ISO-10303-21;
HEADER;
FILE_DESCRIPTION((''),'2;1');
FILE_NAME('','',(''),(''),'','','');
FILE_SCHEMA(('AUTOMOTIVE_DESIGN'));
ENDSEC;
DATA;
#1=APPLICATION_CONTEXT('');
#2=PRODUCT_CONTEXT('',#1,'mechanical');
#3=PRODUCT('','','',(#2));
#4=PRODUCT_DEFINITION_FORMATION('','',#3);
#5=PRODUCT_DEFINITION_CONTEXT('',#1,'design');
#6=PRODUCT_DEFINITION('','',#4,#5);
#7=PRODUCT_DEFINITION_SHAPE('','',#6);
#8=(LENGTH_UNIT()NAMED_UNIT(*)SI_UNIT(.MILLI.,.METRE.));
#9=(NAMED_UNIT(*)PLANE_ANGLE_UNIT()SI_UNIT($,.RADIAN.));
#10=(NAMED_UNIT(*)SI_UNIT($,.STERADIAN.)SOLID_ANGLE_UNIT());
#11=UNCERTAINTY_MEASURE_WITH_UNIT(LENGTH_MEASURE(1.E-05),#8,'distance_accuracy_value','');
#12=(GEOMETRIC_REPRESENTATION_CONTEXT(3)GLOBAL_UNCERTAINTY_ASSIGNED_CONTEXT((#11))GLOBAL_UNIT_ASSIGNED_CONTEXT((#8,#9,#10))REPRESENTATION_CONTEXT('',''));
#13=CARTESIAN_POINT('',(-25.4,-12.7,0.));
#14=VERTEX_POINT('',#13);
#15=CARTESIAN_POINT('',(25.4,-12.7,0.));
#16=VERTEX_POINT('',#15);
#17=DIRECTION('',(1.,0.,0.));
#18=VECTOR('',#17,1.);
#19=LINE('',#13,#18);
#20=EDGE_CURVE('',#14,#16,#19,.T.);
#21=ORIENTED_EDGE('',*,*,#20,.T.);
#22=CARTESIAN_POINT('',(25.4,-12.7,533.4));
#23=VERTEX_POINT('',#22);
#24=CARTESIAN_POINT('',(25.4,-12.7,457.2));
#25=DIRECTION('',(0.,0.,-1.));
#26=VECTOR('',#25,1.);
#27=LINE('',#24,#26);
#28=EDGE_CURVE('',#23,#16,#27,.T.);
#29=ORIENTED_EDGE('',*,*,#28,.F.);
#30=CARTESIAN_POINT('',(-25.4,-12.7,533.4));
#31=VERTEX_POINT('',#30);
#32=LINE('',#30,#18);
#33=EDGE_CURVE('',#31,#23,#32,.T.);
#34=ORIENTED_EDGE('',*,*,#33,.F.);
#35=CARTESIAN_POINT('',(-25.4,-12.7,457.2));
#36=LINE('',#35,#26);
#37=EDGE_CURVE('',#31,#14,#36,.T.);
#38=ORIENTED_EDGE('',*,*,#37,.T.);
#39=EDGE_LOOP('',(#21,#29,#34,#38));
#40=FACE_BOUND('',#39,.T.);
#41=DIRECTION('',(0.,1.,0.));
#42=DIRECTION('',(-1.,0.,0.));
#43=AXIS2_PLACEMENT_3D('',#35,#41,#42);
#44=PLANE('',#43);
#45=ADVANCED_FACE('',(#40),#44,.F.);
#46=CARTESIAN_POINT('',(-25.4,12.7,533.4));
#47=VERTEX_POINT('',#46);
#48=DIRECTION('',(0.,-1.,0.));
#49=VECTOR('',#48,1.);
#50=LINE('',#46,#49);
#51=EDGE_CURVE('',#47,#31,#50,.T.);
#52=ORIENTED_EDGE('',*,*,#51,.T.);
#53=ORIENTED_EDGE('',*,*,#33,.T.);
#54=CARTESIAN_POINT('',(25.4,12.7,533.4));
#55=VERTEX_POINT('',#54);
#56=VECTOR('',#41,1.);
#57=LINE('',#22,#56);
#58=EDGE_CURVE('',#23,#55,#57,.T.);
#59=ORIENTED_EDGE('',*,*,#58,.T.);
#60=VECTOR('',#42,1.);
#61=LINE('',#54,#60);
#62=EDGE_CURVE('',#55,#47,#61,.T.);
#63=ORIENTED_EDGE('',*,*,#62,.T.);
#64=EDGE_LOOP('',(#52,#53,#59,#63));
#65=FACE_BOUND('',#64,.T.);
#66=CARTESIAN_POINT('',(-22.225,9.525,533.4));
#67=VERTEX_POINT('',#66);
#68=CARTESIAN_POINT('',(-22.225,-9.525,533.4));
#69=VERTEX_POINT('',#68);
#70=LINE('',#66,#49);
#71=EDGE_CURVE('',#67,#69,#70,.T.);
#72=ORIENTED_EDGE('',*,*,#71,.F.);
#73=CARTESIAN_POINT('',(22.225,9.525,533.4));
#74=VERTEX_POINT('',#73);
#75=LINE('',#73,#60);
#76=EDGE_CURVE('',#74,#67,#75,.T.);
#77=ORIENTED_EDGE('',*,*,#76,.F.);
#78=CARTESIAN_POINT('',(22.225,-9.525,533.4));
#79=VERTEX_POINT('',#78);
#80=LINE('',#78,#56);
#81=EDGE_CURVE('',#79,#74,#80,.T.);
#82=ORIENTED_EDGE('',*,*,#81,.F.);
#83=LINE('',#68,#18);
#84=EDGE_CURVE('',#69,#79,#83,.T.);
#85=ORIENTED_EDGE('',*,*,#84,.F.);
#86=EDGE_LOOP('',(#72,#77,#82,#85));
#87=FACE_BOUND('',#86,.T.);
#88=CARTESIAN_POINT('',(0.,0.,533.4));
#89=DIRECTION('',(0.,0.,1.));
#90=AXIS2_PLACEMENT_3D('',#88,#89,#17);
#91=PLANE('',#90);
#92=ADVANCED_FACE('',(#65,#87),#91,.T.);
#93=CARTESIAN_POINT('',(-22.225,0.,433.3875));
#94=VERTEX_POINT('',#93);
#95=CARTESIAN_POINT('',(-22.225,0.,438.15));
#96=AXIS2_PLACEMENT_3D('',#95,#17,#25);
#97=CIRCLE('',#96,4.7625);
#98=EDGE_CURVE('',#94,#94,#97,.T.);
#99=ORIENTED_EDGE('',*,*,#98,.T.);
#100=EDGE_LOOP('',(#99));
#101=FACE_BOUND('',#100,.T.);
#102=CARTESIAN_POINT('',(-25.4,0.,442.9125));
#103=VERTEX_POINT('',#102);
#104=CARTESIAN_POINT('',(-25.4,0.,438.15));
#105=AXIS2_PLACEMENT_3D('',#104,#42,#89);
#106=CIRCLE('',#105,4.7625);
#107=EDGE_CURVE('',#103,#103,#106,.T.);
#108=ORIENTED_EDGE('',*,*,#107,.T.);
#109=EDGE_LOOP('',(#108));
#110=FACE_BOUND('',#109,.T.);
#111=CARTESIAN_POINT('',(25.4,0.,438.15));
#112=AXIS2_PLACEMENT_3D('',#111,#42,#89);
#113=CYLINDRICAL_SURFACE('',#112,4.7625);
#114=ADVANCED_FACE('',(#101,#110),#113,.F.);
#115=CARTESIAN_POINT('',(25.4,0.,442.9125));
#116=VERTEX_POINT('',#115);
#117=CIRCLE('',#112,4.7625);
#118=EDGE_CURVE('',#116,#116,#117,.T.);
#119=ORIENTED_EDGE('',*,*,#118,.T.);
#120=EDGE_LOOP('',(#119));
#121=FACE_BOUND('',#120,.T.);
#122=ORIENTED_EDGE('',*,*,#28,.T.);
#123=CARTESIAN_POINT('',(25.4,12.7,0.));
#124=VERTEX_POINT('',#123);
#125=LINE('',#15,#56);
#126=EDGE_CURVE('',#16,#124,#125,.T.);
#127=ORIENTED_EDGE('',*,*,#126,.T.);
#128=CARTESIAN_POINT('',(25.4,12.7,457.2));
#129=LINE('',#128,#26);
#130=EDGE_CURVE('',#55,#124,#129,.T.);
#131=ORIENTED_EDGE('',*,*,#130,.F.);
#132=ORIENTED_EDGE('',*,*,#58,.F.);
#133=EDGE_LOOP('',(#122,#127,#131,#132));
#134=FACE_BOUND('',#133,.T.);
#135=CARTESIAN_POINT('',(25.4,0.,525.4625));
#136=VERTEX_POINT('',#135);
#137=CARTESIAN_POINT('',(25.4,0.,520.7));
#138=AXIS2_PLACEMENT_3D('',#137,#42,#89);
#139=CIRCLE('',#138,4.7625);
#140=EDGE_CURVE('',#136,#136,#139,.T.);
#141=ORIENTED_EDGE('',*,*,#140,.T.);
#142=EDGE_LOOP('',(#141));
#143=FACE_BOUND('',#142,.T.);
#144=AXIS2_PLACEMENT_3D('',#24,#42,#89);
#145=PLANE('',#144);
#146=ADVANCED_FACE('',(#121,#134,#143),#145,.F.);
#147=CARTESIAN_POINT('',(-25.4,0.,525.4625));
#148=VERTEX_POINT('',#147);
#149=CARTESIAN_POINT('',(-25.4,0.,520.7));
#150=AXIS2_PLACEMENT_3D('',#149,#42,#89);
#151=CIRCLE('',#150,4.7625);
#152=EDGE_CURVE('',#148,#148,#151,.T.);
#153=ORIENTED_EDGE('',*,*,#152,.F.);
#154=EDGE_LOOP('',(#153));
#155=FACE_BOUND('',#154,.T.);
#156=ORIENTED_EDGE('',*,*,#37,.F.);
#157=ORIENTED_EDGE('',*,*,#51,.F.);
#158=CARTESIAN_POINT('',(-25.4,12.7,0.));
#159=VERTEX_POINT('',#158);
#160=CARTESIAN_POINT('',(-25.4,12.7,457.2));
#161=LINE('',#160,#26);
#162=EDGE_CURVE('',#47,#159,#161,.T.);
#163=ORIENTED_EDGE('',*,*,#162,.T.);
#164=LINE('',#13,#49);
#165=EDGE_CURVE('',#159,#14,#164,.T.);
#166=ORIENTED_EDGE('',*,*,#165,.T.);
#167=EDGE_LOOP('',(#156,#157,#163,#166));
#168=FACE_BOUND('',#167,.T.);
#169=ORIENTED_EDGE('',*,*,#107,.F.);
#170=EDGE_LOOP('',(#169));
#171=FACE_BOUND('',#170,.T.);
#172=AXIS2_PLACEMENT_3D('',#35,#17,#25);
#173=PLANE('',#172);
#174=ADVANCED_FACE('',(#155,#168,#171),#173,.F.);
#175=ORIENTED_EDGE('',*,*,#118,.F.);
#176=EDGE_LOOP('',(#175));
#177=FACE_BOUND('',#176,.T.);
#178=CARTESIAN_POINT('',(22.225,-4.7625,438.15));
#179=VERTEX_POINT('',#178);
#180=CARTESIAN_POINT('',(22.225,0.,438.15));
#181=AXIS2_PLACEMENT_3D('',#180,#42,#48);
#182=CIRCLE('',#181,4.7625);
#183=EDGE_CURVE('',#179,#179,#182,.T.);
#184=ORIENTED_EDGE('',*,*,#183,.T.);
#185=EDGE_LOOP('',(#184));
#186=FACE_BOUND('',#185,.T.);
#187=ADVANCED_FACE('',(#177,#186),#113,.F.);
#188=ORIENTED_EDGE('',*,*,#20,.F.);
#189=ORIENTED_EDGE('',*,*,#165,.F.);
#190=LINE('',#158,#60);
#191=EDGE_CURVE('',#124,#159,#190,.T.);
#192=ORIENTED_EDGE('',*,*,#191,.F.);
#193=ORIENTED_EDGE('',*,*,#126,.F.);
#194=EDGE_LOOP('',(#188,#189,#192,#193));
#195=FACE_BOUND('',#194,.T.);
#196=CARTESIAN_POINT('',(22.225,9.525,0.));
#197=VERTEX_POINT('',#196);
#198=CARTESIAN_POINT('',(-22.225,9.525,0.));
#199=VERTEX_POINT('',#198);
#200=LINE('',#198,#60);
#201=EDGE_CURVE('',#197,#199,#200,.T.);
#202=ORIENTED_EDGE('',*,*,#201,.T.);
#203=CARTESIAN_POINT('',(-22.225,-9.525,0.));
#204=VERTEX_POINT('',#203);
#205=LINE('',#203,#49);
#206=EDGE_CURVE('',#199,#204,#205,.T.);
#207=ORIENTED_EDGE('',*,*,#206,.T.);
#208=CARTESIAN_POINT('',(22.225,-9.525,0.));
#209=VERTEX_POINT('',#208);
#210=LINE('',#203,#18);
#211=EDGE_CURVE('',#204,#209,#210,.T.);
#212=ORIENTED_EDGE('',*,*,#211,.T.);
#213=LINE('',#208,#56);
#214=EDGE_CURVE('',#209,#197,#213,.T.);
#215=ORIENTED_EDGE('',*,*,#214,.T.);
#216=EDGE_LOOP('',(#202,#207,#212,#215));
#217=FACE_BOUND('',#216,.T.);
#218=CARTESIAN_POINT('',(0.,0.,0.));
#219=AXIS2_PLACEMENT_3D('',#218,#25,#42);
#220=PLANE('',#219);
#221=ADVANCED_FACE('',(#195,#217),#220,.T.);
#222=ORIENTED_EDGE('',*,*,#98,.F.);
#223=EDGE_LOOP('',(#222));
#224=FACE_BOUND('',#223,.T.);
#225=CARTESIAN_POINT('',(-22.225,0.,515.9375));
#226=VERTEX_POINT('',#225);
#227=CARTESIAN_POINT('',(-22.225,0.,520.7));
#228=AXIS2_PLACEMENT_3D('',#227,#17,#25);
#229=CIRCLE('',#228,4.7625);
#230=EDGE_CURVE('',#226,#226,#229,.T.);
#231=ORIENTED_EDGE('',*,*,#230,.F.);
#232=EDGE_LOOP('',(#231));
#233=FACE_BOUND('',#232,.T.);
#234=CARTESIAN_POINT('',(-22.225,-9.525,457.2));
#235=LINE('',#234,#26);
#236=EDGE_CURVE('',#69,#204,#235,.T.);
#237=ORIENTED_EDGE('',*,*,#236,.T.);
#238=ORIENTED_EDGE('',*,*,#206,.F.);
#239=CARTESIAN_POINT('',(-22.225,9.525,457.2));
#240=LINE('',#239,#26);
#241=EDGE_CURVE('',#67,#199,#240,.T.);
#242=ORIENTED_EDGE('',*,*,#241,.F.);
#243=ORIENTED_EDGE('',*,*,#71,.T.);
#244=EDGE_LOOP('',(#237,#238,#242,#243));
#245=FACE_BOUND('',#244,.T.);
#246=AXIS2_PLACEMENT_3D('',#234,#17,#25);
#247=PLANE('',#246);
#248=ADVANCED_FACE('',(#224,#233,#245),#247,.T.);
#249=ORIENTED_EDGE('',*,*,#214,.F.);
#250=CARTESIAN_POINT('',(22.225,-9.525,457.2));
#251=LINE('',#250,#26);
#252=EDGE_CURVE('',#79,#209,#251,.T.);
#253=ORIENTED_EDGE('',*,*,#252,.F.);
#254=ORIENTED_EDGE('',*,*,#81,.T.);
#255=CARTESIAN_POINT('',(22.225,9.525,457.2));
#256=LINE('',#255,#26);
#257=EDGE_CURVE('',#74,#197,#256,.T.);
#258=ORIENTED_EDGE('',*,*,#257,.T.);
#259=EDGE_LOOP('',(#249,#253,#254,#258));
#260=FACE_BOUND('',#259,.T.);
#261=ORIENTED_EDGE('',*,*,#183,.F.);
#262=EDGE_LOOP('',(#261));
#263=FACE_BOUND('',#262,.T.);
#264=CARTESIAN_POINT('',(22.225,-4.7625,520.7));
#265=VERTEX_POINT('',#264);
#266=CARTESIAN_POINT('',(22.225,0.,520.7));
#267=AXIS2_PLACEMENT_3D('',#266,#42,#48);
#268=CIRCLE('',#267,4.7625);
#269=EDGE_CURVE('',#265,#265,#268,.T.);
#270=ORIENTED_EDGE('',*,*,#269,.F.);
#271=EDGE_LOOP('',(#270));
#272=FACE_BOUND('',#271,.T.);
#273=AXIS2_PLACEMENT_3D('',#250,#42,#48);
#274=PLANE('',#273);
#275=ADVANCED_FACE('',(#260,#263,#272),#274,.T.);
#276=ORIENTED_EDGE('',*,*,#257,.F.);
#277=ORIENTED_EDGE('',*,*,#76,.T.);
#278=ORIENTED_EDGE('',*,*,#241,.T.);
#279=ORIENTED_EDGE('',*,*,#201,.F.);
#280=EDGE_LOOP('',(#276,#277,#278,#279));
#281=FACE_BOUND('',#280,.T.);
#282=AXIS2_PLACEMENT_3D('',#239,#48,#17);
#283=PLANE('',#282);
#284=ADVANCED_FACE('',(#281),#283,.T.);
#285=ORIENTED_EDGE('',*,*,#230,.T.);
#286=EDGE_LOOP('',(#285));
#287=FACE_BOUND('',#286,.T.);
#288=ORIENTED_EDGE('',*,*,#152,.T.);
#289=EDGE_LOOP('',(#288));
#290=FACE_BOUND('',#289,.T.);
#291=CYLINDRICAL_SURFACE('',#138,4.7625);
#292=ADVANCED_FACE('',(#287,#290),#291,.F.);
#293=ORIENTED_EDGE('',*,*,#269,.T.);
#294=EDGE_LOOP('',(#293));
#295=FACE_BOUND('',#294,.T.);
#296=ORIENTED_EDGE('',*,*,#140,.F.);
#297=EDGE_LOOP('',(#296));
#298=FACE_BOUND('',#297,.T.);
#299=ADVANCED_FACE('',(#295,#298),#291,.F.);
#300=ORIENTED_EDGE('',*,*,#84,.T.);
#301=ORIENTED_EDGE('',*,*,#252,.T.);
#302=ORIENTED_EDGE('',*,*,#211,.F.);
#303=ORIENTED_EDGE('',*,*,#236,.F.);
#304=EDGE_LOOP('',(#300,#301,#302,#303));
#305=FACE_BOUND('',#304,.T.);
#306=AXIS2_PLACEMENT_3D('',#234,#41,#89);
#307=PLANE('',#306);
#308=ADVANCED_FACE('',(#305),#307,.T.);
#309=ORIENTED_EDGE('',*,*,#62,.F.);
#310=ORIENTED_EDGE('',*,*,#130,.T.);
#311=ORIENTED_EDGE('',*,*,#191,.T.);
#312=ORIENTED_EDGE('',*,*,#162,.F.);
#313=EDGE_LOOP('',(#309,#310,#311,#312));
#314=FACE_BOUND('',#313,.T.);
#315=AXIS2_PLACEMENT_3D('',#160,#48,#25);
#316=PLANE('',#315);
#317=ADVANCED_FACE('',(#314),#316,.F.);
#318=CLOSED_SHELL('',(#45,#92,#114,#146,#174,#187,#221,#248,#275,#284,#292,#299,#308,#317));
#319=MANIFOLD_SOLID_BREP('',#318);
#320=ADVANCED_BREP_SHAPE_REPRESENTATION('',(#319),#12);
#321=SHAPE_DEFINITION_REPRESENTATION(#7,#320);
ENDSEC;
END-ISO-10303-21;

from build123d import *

# Parameters (mm, degrees)
SKETCH1_W           = 50.8
SKETCH1_H           = 25.4
SKETCH1_W_2         = 44.45
SKETCH1_H_2         = 19.05
BOSS_EXTRUDE1_DEPTH = 457.2
SKETCH2_R           = 4.7625
CUT_EXTRUDE1_DEPTH  = 461.188841673
SKETCH3_W           = 50.8
SKETCH3_H           = 25.4
SKETCH3_W_2         = 44.45
SKETCH3_H_2         = 19.05
BOSS_EXTRUDE2_DEPTH = 76.2
SKETCH4_R           = 4.7625
CUT_EXTRUDE2_DEPTH  = 536.964075289


with BuildPart() as part:
    # Sketch1 → Boss-Extrude1 (new body)
    with BuildSketch(Plane.XY):
        Rectangle(SKETCH1_W, SKETCH1_H)
        Rectangle(SKETCH1_W_2, SKETCH1_H_2, mode=Mode.SUBTRACT)
    extrude(amount=BOSS_EXTRUDE1_DEPTH)

    # Sketch2 → Cut-Extrude1 (cut, through all)
    with BuildSketch(Plane.ZY.offset(25.4)):
        with Locations((438.15, 0)):
            Circle(SKETCH2_R)
    extrude(amount=-CUT_EXTRUDE1_DEPTH, mode=Mode.SUBTRACT)

    # Sketch3 → Boss-Extrude2 (add)
    with BuildSketch(Plane.XY.offset(457.2)):
        Rectangle(SKETCH3_W, SKETCH3_H)
        Rectangle(SKETCH3_W_2, SKETCH3_H_2, mode=Mode.SUBTRACT)
    extrude(amount=BOSS_EXTRUDE2_DEPTH)

    # Sketch4 → Cut-Extrude2 (cut, through all)
    with BuildSketch(Plane.ZY.offset(25.4)):
        with Locations((520.7, 0)):
            Circle(SKETCH4_R)
    extrude(amount=-CUT_EXTRUDE2_DEPTH, mode=Mode.SUBTRACT)


solid = part.part
